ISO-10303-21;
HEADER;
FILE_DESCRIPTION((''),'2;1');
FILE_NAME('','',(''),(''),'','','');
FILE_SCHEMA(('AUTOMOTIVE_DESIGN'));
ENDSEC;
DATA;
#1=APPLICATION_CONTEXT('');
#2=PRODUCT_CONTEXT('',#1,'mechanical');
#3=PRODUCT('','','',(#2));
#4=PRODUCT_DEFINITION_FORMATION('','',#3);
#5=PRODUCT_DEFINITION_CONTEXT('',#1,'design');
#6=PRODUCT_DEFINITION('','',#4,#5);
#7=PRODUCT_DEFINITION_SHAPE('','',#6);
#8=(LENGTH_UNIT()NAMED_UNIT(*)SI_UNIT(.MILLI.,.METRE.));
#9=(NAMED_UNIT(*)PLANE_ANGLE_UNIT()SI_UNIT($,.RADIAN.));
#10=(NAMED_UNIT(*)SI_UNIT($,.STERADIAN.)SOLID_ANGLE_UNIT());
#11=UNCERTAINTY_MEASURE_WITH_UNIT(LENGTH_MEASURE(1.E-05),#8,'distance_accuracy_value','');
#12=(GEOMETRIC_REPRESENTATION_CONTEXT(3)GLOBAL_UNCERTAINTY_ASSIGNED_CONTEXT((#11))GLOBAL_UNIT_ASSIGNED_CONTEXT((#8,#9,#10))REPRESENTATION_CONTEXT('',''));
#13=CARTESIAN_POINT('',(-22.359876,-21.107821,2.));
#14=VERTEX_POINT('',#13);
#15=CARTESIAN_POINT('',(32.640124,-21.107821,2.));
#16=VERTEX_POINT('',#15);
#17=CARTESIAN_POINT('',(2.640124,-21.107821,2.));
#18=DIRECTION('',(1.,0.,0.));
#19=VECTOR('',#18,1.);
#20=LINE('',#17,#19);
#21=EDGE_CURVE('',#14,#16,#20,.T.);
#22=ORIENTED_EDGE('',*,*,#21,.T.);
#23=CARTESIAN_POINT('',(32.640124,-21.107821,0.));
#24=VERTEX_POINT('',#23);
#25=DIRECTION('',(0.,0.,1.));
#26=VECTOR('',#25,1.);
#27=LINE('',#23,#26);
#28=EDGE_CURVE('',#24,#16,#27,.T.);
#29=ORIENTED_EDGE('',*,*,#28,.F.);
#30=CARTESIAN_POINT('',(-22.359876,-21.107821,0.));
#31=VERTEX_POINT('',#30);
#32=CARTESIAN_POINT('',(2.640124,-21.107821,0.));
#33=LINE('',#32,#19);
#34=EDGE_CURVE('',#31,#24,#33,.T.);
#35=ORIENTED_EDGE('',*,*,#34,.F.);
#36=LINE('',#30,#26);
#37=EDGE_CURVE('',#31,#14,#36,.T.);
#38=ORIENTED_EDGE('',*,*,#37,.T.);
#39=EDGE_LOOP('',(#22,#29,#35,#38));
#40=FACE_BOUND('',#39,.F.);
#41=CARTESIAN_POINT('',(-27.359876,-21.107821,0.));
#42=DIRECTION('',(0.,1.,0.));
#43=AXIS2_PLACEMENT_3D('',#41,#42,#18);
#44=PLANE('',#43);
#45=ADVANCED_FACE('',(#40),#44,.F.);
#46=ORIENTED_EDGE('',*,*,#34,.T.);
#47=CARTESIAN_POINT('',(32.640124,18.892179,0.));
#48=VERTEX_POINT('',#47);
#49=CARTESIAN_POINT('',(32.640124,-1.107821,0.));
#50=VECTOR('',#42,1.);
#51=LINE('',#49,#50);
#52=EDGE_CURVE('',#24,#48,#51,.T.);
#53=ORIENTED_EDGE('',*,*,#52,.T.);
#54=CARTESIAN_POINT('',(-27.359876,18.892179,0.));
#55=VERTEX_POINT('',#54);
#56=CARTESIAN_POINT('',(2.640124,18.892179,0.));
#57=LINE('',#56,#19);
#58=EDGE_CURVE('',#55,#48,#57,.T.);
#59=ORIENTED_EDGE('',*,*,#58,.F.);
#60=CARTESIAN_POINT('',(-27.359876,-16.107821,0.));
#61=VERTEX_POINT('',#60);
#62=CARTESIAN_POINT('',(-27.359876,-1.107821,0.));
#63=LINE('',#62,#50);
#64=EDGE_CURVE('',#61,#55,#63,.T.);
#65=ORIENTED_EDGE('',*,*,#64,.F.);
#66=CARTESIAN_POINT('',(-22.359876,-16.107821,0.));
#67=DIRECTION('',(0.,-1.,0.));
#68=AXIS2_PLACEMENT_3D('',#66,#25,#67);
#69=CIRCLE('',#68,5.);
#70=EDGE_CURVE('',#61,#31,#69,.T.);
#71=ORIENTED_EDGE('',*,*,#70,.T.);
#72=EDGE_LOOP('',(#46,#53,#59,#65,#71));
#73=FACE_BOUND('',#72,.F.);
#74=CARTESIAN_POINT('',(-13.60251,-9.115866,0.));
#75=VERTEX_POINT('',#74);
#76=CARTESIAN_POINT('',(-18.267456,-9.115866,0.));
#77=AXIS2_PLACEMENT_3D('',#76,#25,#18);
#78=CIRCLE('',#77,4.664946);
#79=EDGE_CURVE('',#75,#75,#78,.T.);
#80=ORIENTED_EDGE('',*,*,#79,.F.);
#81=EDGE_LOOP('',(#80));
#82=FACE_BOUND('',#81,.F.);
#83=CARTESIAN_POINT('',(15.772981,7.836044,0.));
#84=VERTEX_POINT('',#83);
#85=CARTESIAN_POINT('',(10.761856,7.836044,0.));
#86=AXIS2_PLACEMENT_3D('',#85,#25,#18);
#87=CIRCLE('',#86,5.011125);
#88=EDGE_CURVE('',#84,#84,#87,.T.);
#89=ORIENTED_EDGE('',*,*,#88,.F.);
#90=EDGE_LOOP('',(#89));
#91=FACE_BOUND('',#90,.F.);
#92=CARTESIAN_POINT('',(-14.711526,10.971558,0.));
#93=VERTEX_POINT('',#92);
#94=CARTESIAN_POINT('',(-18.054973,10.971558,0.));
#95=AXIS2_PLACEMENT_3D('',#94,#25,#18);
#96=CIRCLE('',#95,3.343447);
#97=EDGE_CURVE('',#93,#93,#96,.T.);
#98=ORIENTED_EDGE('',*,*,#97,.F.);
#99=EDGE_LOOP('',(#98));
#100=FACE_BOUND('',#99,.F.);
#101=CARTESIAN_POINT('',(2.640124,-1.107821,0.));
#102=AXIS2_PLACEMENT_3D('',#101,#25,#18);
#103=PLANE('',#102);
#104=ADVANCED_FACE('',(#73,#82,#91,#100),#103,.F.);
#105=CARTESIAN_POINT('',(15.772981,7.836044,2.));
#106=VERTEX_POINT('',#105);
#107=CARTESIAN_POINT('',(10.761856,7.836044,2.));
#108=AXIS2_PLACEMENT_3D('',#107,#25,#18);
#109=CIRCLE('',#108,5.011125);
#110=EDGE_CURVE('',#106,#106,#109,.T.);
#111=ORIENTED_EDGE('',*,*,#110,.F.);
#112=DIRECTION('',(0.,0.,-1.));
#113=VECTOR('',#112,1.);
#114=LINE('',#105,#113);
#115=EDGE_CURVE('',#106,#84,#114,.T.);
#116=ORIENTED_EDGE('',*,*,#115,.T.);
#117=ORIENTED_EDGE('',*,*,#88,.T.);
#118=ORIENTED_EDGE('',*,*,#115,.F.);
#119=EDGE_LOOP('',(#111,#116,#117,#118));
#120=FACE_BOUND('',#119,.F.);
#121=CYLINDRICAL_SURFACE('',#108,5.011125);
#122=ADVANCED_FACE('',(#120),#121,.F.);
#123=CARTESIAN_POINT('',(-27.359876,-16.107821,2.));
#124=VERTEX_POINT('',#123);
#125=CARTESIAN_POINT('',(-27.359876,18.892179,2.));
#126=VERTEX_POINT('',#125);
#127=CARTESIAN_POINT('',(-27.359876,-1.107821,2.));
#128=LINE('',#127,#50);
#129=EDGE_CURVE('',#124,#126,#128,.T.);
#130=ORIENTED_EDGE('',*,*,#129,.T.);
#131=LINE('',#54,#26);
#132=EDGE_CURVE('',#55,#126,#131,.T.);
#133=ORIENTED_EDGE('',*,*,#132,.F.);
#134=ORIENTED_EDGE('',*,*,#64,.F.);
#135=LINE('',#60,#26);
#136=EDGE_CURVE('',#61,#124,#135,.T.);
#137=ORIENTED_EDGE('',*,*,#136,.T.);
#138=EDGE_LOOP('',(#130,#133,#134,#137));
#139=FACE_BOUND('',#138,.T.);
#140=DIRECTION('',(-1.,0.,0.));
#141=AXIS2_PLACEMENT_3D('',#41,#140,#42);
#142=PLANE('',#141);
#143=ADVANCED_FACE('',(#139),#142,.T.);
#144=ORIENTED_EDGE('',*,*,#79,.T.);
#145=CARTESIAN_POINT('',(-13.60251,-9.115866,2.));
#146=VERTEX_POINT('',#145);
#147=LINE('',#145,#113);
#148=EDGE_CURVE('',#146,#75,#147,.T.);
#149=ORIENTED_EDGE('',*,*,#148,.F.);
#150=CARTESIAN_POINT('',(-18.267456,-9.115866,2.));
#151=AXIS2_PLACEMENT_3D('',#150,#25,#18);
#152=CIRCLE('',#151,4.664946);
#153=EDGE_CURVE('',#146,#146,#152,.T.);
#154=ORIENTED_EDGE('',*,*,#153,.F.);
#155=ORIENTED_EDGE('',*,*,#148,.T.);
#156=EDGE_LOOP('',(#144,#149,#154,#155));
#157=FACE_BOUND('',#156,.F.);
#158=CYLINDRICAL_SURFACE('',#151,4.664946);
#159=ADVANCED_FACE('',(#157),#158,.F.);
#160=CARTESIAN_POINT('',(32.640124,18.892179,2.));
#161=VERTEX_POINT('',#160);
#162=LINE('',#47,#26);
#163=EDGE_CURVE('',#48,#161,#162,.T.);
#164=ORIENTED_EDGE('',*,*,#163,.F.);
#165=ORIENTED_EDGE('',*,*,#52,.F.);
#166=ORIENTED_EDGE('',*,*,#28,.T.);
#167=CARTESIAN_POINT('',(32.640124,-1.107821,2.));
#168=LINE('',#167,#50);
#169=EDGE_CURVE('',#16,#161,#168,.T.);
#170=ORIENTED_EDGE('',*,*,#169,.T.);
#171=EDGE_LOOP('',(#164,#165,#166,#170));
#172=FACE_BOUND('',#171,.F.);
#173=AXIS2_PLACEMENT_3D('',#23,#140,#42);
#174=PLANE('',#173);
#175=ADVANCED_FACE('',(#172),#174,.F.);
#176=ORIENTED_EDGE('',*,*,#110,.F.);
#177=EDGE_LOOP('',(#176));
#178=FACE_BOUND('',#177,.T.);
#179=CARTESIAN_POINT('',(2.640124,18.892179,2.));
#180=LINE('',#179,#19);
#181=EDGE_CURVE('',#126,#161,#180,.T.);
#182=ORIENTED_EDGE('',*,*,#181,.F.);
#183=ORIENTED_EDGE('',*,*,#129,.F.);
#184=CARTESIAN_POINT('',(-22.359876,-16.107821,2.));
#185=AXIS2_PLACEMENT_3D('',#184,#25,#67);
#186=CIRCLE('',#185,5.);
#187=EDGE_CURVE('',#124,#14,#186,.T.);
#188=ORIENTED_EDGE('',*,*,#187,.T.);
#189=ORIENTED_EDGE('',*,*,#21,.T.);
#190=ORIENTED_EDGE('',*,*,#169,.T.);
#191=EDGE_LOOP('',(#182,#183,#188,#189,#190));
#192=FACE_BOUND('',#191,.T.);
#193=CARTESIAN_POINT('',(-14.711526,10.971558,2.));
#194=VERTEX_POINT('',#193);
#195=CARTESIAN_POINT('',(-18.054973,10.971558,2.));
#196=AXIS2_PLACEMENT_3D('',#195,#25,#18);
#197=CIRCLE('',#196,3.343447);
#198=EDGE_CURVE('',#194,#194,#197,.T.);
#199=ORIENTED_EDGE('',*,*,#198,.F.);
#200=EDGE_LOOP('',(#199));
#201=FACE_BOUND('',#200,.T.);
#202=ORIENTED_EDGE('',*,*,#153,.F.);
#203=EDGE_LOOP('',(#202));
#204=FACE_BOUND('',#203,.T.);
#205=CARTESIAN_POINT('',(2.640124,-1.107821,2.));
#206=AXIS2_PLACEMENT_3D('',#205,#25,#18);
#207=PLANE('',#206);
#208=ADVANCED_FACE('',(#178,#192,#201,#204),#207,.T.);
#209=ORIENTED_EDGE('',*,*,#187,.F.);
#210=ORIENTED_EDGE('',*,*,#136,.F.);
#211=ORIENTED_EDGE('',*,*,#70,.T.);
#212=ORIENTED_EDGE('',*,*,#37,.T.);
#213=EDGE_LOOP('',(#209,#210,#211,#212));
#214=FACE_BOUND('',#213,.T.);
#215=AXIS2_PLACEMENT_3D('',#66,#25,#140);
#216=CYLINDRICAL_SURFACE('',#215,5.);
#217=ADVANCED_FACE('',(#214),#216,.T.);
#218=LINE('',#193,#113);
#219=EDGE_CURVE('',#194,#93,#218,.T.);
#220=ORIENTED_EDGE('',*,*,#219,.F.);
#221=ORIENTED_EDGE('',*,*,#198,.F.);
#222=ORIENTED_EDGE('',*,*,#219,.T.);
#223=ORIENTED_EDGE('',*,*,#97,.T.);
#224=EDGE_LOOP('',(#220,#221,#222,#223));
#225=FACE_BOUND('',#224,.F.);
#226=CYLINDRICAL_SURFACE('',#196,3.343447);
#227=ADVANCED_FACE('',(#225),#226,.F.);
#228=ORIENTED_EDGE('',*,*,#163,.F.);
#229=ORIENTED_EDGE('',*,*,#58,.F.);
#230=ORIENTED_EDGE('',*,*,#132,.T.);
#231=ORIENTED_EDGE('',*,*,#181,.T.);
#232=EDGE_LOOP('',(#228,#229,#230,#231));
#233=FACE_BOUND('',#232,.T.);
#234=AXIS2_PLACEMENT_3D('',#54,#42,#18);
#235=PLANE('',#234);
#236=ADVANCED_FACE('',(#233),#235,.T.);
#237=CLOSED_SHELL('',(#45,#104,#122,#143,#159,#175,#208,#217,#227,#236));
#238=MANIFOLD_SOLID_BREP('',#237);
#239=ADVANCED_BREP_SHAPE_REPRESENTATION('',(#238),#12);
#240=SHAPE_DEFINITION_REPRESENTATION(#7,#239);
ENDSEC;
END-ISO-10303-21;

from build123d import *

# Parameters (mm, degrees)
F0_W     = 60
F0_H     = 40
F1_DEPTH = 2
F2_R     = 3.343447
F2_R_2   = 4.664946
F2_R_3   = 5.011125
F3_DEPTH = 2
F4_R     = 5


with BuildPart() as f1:
    # F0 (on Top) → F1 (new body)
    with BuildSketch(Plane.XY):
        with Locations((2.640124, -1.107821)):
            Rectangle(F0_W, F0_H)
    extrude(amount=F1_DEPTH)

    # F2 (on face) → F3 (cut)
    with BuildSketch(Plane.XY.offset(2)):
        with Locations((-18.054973, 10.971558)):
            Circle(F2_R)
        with Locations((-18.267456, -9.115866)):
            Circle(F2_R_2)
        with Locations((10.761856, 7.836044)):
            Circle(F2_R_3)
    extrude(amount=-F3_DEPTH, mode=Mode.SUBTRACT)

    # F4
    f4_edges = [f1.edges().sort_by_distance(p)[0] for p in [
        (-27.359876, -21.107821, 1),
    ]]
    fillet(f4_edges, radius=F4_R)


solid = f1.part
